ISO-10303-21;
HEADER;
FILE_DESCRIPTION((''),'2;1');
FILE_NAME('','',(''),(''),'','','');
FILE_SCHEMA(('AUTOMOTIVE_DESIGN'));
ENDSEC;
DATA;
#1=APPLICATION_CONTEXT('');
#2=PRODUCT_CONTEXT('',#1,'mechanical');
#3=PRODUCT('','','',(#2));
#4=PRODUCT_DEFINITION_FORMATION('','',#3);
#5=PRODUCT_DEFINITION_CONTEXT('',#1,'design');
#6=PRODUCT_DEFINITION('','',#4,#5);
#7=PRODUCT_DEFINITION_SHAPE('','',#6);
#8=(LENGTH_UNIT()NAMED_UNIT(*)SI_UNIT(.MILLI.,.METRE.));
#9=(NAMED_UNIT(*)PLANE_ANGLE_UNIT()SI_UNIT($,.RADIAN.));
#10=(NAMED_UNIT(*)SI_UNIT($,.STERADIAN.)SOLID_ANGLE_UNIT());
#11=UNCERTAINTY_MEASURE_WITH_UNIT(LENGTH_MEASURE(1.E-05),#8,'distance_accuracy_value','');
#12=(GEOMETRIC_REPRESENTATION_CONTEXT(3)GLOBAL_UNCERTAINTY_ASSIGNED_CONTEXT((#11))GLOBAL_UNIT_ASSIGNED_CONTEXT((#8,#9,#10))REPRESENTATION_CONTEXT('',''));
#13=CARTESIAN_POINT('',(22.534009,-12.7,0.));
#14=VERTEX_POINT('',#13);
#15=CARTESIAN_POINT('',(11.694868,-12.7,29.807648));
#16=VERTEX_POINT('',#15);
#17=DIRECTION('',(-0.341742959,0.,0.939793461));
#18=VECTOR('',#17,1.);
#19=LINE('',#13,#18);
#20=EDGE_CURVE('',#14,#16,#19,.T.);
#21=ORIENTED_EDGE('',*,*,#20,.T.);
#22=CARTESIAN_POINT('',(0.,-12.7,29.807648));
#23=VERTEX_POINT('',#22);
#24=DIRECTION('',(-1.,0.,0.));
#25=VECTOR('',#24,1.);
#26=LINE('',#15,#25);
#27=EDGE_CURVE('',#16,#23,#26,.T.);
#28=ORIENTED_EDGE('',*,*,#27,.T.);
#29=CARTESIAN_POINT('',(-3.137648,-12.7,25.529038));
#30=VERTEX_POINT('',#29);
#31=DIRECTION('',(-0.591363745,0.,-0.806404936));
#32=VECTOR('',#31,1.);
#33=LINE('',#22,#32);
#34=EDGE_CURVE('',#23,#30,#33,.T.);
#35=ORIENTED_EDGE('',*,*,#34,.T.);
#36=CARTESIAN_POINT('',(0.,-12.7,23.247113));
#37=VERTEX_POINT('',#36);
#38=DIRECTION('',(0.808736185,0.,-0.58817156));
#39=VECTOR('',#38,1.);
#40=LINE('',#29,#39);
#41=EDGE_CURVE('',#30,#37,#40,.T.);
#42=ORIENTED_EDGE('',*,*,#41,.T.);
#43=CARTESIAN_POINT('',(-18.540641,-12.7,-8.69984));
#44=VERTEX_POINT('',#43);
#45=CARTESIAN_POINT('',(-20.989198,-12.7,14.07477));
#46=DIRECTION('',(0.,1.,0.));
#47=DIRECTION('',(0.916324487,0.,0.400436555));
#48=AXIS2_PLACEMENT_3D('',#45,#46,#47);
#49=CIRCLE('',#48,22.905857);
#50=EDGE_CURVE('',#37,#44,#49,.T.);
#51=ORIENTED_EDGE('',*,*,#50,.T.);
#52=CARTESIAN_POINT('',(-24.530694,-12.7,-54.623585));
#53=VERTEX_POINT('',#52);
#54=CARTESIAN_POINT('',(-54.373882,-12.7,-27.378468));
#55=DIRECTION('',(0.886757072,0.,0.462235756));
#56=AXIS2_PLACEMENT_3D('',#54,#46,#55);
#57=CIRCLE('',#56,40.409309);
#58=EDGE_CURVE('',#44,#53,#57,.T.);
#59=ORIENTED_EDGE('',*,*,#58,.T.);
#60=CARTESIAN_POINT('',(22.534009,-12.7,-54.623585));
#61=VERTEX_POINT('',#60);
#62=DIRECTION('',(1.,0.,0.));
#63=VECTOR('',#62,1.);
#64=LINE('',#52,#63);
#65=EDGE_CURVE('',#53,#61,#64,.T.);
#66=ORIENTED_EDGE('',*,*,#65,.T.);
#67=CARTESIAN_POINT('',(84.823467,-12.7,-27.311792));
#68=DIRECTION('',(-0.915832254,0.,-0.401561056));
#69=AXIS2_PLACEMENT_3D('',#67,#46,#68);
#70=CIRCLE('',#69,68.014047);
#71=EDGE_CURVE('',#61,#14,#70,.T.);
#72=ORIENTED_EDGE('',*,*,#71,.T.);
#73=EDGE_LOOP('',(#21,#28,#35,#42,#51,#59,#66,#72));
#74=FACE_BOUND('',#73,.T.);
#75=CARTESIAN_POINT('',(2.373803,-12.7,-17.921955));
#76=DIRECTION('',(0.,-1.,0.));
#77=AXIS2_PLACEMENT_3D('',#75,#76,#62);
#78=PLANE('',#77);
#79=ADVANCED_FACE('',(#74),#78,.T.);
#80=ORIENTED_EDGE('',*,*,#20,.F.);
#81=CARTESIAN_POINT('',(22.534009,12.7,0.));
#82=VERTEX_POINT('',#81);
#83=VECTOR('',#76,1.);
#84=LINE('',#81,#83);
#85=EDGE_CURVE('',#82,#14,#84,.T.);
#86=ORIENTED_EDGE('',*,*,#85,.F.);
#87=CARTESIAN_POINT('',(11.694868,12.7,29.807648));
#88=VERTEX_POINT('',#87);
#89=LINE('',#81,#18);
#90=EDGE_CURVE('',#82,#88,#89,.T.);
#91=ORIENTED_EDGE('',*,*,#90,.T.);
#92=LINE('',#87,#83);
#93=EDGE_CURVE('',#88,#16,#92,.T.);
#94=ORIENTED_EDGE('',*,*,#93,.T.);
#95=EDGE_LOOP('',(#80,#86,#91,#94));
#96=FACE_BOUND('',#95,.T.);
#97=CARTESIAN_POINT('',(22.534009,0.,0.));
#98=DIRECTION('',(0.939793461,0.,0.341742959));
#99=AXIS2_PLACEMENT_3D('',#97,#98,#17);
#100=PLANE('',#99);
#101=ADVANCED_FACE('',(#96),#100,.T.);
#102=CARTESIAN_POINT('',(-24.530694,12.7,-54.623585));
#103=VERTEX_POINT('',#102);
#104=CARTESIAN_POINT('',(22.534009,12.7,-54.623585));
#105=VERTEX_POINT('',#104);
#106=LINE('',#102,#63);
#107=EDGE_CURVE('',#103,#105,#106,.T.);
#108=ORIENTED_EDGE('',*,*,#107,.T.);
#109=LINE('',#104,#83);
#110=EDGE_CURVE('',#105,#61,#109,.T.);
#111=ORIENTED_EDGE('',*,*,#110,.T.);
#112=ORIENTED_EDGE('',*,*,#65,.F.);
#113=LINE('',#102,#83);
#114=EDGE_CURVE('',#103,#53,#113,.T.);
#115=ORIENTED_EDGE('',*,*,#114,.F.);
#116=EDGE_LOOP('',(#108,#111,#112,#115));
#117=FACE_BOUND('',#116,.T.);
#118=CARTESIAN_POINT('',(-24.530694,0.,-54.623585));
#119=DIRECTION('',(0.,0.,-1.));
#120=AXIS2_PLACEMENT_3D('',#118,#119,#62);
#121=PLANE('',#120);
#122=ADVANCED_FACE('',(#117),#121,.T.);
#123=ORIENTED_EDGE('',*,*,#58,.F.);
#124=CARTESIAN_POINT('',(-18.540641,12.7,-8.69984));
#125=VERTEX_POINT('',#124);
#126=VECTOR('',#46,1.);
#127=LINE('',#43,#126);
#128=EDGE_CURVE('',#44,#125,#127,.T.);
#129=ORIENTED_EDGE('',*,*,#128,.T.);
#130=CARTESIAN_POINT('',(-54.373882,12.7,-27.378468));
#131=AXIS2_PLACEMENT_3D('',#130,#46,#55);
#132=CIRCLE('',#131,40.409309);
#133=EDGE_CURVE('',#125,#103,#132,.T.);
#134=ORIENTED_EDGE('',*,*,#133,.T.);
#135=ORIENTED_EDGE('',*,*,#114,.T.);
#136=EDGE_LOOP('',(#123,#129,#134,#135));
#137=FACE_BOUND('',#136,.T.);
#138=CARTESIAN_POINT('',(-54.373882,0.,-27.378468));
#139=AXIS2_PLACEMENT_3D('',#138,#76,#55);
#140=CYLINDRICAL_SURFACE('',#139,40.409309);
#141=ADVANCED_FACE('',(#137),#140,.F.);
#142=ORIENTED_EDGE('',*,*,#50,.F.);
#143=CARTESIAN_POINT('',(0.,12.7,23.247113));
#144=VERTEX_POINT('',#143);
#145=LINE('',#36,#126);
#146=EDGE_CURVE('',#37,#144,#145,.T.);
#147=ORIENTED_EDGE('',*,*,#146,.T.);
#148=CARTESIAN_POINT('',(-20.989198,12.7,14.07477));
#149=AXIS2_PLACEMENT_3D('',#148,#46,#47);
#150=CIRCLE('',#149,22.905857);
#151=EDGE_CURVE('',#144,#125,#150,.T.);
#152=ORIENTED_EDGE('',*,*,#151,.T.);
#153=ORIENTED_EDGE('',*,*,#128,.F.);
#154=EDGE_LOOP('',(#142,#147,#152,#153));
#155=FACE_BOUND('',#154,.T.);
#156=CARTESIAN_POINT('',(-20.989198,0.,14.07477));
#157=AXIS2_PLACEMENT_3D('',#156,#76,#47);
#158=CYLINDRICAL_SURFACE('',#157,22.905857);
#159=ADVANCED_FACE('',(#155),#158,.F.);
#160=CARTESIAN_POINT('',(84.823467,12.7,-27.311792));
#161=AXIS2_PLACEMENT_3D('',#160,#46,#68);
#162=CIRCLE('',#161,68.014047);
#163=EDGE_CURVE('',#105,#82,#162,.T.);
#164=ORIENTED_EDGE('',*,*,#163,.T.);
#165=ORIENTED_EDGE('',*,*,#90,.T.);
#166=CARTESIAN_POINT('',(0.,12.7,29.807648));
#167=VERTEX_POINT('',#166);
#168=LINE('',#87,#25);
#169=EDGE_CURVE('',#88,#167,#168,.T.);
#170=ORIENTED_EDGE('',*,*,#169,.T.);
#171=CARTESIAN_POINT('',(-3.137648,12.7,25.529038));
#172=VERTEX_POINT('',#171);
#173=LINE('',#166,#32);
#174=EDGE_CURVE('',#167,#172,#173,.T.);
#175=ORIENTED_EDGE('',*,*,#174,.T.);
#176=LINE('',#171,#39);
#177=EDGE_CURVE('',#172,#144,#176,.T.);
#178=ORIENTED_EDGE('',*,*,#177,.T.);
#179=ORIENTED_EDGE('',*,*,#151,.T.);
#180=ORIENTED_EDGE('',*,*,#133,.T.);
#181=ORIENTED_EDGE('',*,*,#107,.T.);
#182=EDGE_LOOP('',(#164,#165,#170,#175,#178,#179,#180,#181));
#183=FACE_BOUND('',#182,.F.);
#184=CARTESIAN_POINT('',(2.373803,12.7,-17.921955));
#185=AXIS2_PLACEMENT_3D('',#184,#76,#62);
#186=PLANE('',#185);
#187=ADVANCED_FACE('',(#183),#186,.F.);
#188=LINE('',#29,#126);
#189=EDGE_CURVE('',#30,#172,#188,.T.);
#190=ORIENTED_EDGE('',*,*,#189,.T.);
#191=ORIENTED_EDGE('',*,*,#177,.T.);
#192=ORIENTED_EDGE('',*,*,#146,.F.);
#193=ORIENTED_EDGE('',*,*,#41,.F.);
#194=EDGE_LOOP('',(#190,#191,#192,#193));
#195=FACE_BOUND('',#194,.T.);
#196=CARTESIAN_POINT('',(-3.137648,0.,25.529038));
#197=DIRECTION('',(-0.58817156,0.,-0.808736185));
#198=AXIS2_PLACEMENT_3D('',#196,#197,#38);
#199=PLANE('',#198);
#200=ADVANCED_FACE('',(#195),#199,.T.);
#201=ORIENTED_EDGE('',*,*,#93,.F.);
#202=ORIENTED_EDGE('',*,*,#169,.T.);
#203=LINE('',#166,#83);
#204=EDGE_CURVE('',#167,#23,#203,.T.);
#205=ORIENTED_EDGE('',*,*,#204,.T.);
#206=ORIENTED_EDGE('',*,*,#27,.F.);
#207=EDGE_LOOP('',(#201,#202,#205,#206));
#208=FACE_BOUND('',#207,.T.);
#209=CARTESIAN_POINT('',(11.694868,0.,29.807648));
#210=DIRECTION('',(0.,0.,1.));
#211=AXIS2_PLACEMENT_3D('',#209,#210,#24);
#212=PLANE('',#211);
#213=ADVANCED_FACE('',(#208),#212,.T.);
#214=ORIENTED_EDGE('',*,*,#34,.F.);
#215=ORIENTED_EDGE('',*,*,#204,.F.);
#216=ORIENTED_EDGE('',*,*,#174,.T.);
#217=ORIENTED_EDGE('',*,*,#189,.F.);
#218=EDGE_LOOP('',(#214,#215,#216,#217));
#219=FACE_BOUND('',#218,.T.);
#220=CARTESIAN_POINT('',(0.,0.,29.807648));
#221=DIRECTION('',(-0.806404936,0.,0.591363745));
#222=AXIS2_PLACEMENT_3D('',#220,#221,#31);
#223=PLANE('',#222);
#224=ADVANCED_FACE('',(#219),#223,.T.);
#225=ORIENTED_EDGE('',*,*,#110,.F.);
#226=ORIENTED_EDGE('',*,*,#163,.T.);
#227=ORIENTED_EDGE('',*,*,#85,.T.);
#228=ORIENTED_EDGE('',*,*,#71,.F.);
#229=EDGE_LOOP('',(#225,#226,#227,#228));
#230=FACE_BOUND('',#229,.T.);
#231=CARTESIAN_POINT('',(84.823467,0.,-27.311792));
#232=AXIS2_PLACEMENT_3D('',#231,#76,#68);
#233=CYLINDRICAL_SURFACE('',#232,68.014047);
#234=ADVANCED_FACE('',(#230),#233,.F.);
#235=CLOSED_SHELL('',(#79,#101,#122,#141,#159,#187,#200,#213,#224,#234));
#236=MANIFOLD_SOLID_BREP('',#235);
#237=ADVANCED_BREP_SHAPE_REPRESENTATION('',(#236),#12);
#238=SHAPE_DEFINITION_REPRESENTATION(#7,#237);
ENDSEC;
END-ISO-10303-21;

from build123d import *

# Parameters (mm, degrees)
F1_DEPTH = 12.7


with BuildPart() as f1:
    # F0 (on Front) → F1 (new body, symmetric)
    with BuildSketch(Plane.XZ):
        with BuildLine():
            ThreePointArc((-18.540641, -8.69984), (-14.303994, -32.604974), (-24.530694, -54.623585))
            Line((-24.530694, -54.623585), (22.534009, -54.623585))
            ThreePointArc((22.534009, -54.623585), (16.80942, -27.311793), (22.534009, 0))
            Line((22.534009, 0), (11.694868, 29.807648))
            Line((11.694868, 29.807648), (0, 29.807648))
            Line((0, 29.807648), (-3.137648, 25.529038))
            Line((-3.137648, 25.529038), (0, 23.247113))
            ThreePointArc((0, 23.247113), (-1.177988, 2.577194), (-18.540641, -8.69984))
        make_face()
    extrude(amount=F1_DEPTH, both=True)


solid = f1.part
